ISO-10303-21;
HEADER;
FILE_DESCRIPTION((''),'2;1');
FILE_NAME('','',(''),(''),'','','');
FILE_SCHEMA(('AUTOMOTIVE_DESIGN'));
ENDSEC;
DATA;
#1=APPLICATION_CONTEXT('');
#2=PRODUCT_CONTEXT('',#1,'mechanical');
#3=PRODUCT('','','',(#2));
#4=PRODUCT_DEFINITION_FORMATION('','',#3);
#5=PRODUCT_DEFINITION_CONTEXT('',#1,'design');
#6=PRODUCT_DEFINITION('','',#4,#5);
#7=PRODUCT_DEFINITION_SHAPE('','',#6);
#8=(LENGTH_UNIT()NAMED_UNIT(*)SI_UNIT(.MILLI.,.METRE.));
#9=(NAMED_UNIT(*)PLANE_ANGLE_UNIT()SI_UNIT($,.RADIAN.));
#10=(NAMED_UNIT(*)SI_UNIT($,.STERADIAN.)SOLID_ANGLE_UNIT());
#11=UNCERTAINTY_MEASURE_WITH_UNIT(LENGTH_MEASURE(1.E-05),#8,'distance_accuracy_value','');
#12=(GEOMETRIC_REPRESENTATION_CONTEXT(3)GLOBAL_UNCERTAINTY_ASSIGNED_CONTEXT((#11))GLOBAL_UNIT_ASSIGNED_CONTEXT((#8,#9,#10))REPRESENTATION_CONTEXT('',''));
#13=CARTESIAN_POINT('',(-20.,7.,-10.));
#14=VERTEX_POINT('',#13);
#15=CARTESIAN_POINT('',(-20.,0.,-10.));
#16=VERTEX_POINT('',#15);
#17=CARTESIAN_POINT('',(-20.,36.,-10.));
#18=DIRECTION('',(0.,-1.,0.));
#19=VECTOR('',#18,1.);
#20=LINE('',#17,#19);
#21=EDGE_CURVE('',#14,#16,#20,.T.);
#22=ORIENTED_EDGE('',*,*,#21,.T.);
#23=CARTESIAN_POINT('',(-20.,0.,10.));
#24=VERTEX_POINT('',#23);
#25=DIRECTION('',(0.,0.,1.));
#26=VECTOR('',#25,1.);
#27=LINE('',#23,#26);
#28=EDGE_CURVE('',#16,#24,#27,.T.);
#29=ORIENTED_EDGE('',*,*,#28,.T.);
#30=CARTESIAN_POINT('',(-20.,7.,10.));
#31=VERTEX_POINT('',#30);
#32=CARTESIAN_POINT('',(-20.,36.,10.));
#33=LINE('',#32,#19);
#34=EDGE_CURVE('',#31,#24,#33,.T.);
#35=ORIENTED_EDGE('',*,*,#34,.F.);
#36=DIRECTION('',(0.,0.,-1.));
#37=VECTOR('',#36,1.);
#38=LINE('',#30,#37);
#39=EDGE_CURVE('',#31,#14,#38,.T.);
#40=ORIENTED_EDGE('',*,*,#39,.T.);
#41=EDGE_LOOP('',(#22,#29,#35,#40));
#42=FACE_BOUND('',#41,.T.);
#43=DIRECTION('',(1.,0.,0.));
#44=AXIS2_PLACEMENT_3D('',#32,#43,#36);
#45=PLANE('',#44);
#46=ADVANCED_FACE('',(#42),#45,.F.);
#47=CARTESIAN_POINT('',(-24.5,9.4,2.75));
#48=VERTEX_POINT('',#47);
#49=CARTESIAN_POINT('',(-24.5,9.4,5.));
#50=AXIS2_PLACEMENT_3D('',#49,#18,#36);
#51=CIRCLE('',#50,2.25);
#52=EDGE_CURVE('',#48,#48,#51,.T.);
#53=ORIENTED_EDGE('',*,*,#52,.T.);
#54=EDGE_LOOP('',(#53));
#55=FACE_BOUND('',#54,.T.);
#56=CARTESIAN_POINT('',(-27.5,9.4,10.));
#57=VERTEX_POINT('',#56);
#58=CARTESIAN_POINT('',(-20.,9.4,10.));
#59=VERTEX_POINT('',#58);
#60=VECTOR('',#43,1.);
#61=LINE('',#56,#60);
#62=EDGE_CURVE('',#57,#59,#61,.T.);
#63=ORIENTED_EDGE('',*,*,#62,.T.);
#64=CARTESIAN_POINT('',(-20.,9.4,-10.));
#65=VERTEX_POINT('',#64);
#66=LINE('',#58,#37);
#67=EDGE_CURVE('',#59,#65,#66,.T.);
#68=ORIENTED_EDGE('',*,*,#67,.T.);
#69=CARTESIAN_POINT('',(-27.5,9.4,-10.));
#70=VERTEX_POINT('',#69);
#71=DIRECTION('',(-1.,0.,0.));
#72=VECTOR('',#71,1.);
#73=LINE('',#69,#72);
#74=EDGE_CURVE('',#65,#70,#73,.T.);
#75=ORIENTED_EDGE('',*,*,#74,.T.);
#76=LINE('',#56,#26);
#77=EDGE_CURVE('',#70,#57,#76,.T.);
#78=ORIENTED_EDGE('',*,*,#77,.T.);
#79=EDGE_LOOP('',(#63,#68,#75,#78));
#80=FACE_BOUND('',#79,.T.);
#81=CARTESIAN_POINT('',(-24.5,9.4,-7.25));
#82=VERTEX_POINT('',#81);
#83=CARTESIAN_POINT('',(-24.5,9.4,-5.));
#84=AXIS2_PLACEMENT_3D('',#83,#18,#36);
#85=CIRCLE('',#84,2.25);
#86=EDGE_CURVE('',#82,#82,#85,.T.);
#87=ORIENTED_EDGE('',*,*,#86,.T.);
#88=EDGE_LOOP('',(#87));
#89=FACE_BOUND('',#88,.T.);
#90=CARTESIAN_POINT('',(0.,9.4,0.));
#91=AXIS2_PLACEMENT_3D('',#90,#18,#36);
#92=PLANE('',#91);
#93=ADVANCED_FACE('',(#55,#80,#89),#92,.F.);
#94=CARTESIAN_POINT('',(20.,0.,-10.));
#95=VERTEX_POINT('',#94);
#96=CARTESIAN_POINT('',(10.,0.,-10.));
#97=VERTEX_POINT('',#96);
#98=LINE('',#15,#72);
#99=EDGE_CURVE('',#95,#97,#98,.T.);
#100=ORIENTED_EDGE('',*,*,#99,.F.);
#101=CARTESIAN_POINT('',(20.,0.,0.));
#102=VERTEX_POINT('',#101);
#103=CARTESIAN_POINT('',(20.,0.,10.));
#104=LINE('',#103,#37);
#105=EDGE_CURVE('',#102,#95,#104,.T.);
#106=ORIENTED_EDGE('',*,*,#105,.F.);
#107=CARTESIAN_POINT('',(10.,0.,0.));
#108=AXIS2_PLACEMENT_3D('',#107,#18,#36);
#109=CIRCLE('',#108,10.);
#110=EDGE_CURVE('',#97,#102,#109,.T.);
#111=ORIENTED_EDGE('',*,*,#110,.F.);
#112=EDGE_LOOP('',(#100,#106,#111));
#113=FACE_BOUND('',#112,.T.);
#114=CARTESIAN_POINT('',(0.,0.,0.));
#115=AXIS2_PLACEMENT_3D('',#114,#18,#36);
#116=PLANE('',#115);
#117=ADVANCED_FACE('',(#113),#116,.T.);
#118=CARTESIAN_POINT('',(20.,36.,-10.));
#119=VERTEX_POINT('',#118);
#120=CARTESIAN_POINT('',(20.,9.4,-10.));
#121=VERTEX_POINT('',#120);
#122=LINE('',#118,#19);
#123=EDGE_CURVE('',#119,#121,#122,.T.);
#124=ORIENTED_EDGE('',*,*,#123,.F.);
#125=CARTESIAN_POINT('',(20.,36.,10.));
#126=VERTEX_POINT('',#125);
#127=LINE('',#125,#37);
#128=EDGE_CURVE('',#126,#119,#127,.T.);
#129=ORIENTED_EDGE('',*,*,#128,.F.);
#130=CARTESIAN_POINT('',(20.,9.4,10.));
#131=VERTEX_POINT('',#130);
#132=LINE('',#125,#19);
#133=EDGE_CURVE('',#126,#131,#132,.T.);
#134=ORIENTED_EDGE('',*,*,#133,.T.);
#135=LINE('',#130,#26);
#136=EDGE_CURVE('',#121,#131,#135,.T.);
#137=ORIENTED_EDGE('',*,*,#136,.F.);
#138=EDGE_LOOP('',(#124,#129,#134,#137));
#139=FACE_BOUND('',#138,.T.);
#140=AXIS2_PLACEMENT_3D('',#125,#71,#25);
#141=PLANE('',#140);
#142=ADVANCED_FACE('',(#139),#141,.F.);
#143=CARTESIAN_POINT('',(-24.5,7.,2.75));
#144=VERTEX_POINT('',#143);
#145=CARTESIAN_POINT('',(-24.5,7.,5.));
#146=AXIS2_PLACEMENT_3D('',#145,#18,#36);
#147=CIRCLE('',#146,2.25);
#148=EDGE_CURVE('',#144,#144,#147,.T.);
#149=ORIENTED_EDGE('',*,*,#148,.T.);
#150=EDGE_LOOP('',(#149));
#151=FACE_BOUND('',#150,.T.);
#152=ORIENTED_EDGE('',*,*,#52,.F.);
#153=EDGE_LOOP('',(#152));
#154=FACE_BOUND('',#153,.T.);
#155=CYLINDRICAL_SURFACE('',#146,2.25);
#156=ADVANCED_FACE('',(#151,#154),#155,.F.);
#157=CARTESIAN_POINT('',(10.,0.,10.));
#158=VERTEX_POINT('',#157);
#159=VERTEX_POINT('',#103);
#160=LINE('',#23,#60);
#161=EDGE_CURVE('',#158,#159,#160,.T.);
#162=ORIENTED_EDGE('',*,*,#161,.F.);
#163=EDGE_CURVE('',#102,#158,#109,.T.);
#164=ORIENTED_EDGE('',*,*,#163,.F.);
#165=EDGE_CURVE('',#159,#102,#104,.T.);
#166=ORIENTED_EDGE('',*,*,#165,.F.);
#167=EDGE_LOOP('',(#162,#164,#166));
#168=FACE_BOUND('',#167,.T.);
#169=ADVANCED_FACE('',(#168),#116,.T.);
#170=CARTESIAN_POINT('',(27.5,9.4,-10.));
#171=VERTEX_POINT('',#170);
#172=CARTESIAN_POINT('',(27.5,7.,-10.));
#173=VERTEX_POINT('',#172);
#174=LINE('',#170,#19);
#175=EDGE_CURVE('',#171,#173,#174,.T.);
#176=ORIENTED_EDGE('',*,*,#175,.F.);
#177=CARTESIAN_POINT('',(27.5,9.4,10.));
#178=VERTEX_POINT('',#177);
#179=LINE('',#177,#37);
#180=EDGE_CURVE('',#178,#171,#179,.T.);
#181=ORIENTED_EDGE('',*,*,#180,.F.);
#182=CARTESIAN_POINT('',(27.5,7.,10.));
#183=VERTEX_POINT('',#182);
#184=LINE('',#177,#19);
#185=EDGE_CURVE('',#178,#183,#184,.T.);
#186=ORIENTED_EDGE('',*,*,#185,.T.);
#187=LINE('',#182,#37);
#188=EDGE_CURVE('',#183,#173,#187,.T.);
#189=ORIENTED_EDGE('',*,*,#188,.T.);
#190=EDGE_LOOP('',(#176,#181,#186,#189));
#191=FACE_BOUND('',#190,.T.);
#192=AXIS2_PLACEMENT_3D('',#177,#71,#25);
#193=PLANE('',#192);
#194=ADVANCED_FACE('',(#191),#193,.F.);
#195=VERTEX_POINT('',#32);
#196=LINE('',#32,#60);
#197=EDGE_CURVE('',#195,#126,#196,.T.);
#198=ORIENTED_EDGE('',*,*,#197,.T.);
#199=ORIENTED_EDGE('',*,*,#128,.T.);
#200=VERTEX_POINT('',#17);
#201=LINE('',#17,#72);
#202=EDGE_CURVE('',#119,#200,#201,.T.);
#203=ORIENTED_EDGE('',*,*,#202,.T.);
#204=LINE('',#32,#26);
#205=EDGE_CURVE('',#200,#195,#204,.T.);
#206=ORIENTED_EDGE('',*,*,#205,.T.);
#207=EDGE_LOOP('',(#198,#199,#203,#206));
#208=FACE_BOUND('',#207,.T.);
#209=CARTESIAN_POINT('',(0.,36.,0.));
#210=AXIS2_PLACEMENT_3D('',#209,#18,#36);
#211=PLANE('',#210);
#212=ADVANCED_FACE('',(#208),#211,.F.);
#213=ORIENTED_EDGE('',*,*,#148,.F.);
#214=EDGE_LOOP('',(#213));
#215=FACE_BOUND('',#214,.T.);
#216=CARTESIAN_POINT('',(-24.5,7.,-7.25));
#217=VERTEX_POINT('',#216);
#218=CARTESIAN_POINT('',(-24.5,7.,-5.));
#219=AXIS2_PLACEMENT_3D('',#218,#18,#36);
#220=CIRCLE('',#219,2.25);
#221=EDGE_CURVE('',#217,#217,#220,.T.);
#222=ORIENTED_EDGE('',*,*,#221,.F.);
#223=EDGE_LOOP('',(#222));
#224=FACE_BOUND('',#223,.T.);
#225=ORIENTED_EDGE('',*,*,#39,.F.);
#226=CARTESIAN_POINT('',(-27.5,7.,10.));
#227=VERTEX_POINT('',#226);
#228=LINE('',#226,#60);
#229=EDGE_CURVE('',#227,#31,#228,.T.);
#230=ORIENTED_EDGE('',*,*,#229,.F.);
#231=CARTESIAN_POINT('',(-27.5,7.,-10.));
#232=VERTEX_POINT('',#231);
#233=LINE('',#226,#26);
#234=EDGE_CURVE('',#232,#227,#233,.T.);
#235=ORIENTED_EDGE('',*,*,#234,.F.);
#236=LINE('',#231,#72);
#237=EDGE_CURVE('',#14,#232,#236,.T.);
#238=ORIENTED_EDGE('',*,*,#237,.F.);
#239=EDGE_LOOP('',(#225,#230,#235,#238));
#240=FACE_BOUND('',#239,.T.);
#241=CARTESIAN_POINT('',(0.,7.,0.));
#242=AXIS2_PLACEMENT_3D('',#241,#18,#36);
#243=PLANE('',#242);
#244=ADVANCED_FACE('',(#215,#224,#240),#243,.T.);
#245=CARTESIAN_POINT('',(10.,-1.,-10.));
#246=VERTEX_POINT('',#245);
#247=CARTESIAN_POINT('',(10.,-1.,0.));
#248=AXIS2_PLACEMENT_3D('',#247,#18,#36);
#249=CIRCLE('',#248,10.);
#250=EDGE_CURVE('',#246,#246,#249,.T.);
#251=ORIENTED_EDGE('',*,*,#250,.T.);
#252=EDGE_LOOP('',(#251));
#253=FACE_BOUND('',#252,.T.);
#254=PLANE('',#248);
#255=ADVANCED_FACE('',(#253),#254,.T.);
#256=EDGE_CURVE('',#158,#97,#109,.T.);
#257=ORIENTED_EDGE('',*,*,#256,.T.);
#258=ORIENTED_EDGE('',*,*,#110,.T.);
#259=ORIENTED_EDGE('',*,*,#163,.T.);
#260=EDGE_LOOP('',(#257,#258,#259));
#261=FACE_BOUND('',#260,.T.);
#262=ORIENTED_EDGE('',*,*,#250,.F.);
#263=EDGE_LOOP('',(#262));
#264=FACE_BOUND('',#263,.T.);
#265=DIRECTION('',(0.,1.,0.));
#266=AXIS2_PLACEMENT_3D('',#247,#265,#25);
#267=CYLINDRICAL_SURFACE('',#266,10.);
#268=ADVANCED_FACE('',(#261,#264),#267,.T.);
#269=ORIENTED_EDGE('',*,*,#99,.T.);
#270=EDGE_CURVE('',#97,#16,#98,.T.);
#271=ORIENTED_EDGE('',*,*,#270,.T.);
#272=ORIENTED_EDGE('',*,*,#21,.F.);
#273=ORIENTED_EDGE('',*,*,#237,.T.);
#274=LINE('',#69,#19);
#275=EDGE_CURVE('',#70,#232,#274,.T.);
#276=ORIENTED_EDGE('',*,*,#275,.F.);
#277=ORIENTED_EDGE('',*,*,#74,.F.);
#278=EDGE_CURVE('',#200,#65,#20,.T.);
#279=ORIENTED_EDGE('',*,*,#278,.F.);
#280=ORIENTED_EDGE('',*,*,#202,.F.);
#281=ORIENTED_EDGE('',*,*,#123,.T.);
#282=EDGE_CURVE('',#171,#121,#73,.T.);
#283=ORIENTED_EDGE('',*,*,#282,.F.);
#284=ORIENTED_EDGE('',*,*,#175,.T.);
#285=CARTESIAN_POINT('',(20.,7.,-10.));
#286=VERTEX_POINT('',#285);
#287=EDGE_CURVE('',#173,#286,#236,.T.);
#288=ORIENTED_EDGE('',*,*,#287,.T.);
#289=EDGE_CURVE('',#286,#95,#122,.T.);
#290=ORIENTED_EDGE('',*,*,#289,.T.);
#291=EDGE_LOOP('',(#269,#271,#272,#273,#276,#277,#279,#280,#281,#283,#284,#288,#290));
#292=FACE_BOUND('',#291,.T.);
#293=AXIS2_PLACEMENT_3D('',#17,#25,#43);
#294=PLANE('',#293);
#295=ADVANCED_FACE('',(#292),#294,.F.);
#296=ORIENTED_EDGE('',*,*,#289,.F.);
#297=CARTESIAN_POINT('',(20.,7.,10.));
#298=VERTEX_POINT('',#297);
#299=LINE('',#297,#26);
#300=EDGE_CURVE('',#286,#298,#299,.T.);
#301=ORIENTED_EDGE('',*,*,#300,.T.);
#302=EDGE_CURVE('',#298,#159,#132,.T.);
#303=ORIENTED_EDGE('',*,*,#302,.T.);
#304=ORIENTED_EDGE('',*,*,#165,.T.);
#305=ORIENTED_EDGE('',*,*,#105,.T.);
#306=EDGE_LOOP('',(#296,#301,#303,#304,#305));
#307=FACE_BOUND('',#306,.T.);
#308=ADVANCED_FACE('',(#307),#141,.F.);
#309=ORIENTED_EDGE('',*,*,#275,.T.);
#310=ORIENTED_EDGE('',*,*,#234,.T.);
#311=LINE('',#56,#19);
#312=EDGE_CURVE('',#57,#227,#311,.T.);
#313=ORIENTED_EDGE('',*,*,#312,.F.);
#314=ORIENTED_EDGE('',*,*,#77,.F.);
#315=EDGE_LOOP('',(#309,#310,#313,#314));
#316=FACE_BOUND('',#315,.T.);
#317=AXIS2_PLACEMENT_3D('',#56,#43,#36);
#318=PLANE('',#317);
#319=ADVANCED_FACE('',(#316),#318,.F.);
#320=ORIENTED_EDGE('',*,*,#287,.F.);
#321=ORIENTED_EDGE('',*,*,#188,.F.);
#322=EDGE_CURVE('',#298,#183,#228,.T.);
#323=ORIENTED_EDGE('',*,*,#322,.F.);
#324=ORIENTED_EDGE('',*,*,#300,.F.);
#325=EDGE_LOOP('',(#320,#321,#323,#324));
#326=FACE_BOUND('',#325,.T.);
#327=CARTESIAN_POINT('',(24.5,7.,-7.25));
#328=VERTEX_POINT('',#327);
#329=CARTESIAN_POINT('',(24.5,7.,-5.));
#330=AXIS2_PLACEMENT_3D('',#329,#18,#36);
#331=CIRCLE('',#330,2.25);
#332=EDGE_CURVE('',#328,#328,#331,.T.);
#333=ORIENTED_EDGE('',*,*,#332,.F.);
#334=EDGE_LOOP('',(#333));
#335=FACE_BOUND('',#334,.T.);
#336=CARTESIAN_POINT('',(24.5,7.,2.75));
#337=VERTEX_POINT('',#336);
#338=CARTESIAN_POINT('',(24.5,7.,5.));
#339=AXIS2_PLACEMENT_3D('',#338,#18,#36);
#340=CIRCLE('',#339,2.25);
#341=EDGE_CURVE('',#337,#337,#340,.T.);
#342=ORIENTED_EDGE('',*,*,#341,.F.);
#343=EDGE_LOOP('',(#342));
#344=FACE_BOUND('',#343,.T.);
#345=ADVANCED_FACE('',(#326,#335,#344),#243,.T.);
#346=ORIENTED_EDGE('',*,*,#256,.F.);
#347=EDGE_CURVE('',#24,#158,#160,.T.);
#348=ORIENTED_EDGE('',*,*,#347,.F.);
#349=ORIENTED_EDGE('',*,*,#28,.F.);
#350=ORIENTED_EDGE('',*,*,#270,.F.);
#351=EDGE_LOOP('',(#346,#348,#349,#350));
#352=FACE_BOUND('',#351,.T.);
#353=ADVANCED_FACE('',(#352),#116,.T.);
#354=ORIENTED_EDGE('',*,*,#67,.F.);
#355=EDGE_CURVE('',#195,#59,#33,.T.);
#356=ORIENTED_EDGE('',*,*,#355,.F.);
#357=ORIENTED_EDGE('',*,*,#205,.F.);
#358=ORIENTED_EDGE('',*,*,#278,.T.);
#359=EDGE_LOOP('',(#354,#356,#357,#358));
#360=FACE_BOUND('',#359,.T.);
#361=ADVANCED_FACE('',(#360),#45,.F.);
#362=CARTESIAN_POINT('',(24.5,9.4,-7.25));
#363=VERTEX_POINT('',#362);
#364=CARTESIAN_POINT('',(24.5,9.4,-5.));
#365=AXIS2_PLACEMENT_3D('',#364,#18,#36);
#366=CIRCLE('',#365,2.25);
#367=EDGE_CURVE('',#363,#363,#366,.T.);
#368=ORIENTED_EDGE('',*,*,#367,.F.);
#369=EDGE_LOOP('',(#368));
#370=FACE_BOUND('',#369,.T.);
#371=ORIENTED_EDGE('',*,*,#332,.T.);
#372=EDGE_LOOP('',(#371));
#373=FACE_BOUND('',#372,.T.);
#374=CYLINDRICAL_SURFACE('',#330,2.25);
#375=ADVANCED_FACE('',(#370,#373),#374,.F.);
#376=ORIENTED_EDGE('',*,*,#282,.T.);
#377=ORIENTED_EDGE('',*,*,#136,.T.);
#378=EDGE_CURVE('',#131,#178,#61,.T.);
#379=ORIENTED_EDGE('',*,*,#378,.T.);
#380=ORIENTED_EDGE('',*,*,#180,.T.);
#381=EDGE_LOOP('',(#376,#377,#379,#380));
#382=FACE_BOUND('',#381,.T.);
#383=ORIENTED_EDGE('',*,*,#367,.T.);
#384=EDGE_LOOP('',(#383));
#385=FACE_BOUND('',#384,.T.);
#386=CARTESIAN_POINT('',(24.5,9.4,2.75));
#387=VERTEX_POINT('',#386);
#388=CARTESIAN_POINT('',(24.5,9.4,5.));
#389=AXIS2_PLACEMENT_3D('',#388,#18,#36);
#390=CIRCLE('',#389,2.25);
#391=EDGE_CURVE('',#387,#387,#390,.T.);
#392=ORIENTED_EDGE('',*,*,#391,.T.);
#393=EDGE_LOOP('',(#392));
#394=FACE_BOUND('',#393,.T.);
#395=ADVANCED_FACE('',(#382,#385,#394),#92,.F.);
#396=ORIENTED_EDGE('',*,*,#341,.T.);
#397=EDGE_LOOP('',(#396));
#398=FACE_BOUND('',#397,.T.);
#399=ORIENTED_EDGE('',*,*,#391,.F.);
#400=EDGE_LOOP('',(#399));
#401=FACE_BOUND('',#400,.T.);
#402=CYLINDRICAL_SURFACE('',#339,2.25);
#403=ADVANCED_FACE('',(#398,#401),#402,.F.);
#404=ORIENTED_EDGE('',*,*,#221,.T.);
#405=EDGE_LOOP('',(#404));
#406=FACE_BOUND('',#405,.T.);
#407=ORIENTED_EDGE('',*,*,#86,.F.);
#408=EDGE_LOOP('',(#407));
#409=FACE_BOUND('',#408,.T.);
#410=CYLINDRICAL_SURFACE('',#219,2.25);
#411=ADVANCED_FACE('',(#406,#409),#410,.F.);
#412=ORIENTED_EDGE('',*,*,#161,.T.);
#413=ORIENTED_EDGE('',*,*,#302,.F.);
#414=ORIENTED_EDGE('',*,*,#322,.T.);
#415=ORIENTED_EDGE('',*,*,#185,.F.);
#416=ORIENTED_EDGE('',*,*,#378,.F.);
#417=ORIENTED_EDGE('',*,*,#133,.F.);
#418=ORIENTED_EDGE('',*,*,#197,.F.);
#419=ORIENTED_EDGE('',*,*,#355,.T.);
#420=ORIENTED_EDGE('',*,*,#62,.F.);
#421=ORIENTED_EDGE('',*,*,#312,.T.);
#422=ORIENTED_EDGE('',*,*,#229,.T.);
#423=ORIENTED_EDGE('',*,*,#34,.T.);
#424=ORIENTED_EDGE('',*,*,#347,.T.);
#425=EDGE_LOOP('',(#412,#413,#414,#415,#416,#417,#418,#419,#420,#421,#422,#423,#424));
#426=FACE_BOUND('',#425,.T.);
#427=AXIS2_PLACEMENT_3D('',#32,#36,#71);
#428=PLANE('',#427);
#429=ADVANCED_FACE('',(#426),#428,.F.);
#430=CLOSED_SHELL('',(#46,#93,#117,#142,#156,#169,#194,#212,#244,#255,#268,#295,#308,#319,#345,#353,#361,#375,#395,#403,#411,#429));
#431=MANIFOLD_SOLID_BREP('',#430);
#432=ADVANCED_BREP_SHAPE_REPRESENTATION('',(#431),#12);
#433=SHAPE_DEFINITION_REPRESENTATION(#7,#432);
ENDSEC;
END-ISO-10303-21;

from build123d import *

# Parameters (mm, degrees)
SKETCH1_W            = 40
SKETCH1_H            = 20
BOSS_EXTRUDE1_DEPTH  = 36
SKETCH2_W            = 55
SKETCH2_H            = 20
BOSS_EXTRUDE2_DEPTH  = 2.4
M4_CLEARANCE_HOLE1_D = 4.5
SKETCH5_R            = 10
BOSS_EXTRUDE3_DEPTH  = 1


with BuildPart() as part:
    # Sketch1 → Boss-Extrude1 (new body)
    with BuildSketch(Plane(origin=(0, 0, 0), x_dir=(1, 0, 0), z_dir=(0, 1, 0))):
        Rectangle(SKETCH1_W, SKETCH1_H)
    extrude(amount=BOSS_EXTRUDE1_DEPTH)

    # Sketch2 → Boss-Extrude2 (add)
    with BuildSketch(Plane(origin=(0, 7, 0), x_dir=(1, 0, 0), z_dir=(0, 1, 0))):
        Rectangle(SKETCH2_W, SKETCH2_H)
    extrude(amount=BOSS_EXTRUDE2_DEPTH)

    # M4 Clearance Hole1 (through all)
    with Locations(Plane(origin=(0, 7, 0), x_dir=(-1, 0, 0), z_dir=(0, -1, 0))):
        with Locations((-24.5, 5), (-24.5, -5)):
            m4_clearance_hole1 = Hole(M4_CLEARANCE_HOLE1_D / 2)

    # Mirror1: M4 Clearance Hole1 across plane
    add(m4_clearance_hole1.mirror(Plane(origin=(0, 0, 0), x_dir=(0, 0, 1), z_dir=(1, 0, 0))), mode=Mode.SUBTRACT)

    # Sketch5 → Boss-Extrude3 (add)
    with BuildSketch(Plane.XZ):
        with Locations(Location((10, 0, 0), (0, 0, 270))):
            Circle(SKETCH5_R)
    extrude(amount=BOSS_EXTRUDE3_DEPTH)


solid = part.part
